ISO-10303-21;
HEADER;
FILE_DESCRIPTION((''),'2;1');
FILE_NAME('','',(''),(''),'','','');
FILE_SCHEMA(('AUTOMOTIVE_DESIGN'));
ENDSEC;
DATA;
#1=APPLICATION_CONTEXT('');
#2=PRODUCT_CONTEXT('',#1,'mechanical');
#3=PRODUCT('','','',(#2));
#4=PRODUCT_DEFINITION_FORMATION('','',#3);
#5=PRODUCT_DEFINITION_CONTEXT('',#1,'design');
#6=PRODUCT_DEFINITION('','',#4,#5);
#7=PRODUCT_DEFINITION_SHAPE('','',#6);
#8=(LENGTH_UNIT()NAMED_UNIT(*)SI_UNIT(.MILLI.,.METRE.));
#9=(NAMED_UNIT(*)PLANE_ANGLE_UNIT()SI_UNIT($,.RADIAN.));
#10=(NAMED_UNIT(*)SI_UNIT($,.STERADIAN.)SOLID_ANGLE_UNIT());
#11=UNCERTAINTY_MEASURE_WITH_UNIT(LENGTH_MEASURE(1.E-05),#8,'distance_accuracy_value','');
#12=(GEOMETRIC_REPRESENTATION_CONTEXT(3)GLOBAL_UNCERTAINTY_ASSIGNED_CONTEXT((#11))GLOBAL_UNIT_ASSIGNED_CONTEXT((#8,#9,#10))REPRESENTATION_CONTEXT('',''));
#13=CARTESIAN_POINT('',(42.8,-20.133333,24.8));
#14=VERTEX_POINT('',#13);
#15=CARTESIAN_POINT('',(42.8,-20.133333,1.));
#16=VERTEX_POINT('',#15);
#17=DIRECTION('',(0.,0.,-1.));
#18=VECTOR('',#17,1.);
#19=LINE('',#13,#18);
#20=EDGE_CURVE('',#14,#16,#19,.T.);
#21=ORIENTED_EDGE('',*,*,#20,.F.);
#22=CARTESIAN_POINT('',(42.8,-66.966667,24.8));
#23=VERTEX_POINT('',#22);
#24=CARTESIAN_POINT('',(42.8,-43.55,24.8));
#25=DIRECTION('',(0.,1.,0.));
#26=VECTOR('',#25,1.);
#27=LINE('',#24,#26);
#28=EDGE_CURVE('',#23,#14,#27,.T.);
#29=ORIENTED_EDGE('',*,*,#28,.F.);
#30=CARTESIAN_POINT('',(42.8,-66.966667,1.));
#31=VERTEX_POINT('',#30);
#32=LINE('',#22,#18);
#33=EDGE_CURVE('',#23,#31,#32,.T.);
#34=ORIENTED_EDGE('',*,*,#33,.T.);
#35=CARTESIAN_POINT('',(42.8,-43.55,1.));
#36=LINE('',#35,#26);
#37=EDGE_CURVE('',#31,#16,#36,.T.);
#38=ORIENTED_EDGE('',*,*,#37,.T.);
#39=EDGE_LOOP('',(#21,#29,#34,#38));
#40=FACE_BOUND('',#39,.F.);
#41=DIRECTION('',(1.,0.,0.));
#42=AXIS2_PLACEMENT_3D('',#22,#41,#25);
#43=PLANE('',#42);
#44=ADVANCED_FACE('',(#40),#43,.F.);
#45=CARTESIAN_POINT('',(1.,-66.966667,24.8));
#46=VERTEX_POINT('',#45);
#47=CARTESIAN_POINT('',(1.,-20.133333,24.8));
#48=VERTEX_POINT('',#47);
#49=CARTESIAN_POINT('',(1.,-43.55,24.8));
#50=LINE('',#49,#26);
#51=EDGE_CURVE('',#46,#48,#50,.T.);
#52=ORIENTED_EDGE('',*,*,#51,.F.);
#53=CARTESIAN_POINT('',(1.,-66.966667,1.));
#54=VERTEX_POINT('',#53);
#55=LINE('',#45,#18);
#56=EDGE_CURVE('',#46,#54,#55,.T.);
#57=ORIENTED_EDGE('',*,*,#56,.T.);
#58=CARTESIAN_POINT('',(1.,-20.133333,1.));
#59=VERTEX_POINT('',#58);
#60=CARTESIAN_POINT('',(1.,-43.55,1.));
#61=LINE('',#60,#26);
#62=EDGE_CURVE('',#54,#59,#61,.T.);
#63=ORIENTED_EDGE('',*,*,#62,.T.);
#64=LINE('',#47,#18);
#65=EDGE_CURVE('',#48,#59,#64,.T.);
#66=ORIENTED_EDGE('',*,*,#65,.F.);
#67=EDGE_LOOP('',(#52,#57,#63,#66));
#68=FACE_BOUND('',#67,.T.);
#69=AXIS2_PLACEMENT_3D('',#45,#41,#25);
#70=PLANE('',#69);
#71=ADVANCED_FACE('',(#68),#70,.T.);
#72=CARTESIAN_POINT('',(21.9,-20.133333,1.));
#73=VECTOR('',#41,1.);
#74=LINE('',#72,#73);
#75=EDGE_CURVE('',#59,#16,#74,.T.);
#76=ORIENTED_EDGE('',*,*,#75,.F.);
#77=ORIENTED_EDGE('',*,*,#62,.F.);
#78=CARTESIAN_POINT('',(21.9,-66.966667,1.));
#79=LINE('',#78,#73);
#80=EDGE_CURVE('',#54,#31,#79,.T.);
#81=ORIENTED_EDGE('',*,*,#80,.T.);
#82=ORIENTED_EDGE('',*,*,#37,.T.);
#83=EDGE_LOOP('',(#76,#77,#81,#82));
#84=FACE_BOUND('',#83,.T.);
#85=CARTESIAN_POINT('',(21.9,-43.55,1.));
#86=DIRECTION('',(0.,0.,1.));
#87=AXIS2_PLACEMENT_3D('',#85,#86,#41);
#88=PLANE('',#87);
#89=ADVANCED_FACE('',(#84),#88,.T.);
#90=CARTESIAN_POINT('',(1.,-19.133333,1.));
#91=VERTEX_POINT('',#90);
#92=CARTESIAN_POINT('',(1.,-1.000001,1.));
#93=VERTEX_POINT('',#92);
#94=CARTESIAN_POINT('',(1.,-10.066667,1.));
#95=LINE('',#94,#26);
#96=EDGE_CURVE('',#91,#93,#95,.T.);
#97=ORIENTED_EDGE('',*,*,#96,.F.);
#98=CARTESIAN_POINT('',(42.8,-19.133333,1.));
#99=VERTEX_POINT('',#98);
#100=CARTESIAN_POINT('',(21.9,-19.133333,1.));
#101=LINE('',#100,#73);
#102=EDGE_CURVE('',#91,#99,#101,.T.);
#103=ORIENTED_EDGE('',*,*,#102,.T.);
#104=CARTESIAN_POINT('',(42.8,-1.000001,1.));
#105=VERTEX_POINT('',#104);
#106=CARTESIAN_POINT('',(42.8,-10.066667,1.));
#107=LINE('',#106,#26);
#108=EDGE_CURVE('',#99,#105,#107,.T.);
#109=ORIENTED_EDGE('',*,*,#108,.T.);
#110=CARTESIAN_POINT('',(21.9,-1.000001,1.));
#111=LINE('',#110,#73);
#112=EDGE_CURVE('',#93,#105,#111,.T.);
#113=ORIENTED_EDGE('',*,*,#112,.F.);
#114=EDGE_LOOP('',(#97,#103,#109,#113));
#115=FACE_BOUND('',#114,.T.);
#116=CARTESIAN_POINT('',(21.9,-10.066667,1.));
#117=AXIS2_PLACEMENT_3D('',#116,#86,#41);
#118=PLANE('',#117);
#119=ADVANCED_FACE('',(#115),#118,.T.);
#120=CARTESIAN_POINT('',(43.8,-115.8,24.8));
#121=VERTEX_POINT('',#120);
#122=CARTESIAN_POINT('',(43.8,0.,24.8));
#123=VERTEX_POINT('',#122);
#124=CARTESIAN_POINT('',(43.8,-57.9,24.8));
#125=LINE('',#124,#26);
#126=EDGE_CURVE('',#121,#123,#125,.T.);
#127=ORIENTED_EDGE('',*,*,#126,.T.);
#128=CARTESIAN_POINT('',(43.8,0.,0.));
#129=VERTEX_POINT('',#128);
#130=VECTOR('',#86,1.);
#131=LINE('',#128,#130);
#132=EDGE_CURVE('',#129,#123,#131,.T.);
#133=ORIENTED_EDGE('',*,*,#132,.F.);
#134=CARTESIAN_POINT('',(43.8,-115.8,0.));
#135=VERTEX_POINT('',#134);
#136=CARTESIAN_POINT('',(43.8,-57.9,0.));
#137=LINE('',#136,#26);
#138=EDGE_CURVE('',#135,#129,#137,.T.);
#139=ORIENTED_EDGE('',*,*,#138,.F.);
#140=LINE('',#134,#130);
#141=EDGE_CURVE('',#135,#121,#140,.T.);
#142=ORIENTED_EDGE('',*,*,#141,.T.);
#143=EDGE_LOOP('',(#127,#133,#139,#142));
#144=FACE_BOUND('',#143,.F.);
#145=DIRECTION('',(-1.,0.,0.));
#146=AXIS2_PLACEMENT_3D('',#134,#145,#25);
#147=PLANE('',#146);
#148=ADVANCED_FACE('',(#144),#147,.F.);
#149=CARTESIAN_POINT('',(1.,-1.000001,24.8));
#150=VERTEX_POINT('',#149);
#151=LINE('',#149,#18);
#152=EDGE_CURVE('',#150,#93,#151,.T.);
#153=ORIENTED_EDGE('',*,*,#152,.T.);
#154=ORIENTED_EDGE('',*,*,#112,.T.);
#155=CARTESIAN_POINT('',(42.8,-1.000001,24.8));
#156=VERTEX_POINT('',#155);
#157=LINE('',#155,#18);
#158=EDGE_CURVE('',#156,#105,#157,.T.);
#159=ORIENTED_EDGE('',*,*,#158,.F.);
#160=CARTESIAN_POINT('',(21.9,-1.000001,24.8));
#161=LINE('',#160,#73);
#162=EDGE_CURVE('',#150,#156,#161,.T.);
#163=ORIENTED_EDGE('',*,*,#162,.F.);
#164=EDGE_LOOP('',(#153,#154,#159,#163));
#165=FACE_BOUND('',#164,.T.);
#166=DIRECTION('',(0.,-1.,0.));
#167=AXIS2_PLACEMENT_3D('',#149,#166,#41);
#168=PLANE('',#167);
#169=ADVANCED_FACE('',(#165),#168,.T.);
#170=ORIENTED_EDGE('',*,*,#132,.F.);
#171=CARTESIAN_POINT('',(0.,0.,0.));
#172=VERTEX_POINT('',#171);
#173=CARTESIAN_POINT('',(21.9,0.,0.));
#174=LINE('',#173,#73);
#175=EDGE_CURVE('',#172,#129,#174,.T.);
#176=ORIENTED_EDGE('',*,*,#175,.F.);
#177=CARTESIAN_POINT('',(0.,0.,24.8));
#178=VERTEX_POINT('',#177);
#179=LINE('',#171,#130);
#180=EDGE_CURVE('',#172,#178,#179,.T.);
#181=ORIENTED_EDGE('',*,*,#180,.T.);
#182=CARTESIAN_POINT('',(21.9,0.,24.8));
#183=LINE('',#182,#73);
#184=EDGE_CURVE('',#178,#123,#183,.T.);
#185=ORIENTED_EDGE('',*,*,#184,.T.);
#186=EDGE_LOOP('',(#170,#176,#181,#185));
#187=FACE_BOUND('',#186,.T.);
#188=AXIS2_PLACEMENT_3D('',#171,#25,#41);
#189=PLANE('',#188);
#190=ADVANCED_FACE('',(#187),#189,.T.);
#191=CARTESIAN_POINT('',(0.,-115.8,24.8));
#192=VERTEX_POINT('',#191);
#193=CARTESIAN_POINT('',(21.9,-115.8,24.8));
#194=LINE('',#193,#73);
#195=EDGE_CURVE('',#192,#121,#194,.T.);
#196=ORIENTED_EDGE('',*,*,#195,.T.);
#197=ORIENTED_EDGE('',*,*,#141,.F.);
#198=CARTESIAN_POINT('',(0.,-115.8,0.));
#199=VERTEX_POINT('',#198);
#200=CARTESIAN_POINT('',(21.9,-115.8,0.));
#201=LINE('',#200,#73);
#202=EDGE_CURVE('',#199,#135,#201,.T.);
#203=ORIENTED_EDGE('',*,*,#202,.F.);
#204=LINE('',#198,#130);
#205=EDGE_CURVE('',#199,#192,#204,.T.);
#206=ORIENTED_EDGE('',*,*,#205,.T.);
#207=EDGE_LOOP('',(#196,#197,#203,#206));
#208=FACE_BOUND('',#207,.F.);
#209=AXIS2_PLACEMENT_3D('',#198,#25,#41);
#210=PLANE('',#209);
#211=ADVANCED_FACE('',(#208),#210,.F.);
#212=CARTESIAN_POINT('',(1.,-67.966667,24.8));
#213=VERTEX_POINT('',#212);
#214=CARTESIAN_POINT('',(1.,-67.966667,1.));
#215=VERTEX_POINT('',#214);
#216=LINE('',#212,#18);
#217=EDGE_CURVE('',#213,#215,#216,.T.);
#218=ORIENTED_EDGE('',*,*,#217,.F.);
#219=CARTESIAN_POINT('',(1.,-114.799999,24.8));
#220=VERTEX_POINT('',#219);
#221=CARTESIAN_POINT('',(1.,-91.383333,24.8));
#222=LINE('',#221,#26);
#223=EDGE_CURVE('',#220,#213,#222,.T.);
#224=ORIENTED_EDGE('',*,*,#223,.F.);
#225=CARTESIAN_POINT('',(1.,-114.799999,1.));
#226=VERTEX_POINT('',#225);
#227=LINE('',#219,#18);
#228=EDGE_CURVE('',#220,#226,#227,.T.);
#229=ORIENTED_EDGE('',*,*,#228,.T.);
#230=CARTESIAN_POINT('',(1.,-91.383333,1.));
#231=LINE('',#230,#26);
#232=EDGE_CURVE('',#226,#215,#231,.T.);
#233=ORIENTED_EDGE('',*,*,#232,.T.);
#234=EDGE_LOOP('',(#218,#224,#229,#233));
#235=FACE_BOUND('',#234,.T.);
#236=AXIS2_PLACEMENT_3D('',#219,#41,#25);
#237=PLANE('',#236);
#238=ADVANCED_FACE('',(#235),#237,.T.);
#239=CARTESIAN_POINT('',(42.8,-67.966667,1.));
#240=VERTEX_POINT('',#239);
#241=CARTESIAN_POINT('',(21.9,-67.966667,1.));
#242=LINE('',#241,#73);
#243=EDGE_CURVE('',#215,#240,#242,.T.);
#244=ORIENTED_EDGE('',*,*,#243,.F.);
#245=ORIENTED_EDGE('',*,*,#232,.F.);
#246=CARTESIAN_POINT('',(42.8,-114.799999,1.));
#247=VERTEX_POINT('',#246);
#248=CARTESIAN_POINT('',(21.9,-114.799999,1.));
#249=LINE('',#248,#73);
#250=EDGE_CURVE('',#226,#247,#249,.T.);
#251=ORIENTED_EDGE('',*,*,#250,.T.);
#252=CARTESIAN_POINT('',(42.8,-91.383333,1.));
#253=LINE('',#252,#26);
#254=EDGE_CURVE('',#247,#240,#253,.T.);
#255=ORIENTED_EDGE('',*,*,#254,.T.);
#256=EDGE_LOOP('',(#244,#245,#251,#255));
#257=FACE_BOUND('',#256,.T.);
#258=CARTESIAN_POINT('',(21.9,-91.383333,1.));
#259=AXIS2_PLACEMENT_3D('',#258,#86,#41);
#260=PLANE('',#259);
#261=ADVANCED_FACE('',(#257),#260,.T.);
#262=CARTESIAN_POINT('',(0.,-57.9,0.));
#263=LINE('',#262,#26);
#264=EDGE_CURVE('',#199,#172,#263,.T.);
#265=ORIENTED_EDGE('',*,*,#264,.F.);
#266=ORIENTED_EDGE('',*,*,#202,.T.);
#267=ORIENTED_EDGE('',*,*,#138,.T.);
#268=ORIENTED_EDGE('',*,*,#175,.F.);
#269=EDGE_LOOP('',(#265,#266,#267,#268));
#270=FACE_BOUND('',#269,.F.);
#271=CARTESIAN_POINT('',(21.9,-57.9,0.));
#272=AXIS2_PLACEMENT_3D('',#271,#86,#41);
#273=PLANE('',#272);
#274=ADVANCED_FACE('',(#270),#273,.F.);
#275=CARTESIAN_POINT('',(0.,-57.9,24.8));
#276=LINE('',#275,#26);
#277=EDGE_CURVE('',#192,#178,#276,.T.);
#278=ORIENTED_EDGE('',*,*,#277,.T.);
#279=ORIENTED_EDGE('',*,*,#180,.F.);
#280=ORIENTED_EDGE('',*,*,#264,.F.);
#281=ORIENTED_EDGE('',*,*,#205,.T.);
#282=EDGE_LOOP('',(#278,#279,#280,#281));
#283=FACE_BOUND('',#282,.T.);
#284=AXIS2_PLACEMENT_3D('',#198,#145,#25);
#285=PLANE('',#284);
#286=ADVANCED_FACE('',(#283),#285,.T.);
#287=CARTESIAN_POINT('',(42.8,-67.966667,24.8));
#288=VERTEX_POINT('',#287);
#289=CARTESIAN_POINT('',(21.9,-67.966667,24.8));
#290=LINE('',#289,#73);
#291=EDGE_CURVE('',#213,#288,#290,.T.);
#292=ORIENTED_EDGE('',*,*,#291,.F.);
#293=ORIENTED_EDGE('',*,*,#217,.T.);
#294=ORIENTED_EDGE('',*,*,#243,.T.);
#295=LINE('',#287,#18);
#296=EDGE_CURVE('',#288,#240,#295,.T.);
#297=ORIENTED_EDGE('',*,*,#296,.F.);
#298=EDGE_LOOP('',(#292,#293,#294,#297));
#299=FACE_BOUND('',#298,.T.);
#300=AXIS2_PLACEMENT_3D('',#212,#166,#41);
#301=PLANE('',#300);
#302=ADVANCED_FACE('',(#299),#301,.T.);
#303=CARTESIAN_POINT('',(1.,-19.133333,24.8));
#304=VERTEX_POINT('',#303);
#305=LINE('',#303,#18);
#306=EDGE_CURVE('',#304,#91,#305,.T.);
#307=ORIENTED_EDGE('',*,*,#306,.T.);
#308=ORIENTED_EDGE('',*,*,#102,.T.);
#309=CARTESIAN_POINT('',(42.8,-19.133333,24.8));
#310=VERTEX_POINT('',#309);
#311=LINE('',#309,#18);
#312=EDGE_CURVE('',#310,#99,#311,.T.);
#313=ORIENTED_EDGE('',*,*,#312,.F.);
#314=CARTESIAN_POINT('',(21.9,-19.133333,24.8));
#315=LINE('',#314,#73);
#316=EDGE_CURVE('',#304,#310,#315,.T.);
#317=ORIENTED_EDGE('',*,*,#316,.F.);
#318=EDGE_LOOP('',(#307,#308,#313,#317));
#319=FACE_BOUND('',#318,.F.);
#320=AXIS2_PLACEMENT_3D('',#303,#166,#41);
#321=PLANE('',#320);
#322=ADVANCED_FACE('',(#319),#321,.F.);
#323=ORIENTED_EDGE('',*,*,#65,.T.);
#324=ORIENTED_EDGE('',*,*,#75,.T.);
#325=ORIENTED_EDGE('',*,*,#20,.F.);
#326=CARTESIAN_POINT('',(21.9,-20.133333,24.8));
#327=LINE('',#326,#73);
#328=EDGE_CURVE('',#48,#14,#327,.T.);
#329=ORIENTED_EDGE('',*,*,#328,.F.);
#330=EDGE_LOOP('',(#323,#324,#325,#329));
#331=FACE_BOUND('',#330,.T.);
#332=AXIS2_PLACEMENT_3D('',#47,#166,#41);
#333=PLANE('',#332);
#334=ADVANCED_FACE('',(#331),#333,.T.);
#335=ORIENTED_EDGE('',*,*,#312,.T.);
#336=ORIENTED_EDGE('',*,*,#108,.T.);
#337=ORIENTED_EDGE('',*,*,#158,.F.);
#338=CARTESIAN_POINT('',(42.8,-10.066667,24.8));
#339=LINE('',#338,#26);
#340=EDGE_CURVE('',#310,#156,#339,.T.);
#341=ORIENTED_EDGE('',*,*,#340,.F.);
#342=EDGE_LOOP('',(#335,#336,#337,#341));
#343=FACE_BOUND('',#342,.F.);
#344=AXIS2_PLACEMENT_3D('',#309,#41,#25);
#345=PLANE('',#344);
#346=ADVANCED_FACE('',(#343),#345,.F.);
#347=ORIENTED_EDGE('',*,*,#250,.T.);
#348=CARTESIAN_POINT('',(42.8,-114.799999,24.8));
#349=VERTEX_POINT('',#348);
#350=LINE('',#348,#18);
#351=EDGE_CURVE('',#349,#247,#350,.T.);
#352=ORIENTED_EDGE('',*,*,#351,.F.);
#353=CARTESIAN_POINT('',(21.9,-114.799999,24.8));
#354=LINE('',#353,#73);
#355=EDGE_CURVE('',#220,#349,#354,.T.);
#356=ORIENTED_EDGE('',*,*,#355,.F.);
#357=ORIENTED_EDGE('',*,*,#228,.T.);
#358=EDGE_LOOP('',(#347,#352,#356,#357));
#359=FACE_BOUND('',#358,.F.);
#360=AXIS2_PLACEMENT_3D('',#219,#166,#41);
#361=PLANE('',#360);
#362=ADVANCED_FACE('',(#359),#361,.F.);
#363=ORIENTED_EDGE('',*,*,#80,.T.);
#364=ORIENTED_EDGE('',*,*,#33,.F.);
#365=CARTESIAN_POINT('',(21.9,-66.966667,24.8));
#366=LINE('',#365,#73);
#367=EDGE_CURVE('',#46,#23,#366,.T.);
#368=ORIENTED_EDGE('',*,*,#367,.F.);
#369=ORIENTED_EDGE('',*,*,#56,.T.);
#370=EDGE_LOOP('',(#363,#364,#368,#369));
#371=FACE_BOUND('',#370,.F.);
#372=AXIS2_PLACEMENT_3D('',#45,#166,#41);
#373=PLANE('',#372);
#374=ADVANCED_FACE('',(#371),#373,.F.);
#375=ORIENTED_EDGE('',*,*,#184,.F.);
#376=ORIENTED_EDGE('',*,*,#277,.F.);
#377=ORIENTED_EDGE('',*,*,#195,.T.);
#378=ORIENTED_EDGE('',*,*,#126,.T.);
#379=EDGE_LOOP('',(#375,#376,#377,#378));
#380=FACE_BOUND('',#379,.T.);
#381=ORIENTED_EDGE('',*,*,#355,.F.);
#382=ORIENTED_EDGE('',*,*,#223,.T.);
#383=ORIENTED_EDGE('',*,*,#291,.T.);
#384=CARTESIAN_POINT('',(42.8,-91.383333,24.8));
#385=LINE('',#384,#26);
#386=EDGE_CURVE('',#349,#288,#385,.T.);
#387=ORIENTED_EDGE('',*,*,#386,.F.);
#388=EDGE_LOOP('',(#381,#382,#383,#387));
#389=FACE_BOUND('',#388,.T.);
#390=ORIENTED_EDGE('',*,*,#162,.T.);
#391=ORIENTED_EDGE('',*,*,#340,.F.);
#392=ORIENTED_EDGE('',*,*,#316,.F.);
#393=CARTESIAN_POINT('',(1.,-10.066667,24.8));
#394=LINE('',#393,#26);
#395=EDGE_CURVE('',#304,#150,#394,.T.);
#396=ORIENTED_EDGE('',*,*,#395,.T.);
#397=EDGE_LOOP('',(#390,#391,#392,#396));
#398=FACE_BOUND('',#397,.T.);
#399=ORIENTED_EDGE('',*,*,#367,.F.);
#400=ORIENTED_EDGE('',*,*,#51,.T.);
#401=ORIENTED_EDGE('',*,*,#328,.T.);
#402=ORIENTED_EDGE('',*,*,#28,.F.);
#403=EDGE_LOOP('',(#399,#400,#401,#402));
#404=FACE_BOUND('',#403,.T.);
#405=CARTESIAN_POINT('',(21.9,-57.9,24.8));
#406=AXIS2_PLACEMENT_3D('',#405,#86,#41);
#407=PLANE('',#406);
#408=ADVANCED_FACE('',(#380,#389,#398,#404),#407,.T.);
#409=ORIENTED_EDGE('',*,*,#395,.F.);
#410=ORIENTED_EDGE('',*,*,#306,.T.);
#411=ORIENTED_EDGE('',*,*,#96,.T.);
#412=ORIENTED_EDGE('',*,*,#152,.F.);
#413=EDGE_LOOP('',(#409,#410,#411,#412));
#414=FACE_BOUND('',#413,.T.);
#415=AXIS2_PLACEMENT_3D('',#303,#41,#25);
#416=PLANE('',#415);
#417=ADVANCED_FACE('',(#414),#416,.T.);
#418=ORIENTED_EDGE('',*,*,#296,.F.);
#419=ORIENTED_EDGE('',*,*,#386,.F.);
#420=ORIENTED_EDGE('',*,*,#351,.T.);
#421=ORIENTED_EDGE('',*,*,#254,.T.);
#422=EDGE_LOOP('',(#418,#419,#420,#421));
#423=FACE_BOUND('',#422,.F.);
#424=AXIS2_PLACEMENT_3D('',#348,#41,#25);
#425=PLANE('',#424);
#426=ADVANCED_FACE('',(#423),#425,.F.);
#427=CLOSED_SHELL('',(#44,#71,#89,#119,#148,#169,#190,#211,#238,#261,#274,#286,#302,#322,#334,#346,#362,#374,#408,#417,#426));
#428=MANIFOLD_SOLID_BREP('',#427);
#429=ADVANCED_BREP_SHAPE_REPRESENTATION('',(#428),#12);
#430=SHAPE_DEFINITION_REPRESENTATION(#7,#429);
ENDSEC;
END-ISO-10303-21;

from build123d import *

# Parameters (mm, degrees)
F0_W     = 43.8
F0_H     = 115.8
F1_DEPTH = 24.8
F2_W     = 41.8
F2_H     = 18.133333
F2_H_2   = 46.833334
F2_H_3   = 46.833333
F3_DEPTH = 23.8


with BuildPart() as f1:
    # F0 (on Top) → F1 (new body)
    with BuildSketch(Plane.XY):
        with Locations((21.9, -57.9)):
            Rectangle(F0_W, F0_H)
    extrude(amount=F1_DEPTH)

    # F2 (on face) → F3 (cut)
    with BuildSketch(Plane.XY.offset(24.8)):
        with Locations((21.9, -10.066667)):
            Rectangle(F2_W, F2_H)
        with Locations((21.9, -43.55)):
            Rectangle(F2_W, F2_H_2)
        with Locations((21.9, -91.383333)):
            Rectangle(F2_W, F2_H_3)
    extrude(amount=-F3_DEPTH, mode=Mode.SUBTRACT)


solid = f1.part
